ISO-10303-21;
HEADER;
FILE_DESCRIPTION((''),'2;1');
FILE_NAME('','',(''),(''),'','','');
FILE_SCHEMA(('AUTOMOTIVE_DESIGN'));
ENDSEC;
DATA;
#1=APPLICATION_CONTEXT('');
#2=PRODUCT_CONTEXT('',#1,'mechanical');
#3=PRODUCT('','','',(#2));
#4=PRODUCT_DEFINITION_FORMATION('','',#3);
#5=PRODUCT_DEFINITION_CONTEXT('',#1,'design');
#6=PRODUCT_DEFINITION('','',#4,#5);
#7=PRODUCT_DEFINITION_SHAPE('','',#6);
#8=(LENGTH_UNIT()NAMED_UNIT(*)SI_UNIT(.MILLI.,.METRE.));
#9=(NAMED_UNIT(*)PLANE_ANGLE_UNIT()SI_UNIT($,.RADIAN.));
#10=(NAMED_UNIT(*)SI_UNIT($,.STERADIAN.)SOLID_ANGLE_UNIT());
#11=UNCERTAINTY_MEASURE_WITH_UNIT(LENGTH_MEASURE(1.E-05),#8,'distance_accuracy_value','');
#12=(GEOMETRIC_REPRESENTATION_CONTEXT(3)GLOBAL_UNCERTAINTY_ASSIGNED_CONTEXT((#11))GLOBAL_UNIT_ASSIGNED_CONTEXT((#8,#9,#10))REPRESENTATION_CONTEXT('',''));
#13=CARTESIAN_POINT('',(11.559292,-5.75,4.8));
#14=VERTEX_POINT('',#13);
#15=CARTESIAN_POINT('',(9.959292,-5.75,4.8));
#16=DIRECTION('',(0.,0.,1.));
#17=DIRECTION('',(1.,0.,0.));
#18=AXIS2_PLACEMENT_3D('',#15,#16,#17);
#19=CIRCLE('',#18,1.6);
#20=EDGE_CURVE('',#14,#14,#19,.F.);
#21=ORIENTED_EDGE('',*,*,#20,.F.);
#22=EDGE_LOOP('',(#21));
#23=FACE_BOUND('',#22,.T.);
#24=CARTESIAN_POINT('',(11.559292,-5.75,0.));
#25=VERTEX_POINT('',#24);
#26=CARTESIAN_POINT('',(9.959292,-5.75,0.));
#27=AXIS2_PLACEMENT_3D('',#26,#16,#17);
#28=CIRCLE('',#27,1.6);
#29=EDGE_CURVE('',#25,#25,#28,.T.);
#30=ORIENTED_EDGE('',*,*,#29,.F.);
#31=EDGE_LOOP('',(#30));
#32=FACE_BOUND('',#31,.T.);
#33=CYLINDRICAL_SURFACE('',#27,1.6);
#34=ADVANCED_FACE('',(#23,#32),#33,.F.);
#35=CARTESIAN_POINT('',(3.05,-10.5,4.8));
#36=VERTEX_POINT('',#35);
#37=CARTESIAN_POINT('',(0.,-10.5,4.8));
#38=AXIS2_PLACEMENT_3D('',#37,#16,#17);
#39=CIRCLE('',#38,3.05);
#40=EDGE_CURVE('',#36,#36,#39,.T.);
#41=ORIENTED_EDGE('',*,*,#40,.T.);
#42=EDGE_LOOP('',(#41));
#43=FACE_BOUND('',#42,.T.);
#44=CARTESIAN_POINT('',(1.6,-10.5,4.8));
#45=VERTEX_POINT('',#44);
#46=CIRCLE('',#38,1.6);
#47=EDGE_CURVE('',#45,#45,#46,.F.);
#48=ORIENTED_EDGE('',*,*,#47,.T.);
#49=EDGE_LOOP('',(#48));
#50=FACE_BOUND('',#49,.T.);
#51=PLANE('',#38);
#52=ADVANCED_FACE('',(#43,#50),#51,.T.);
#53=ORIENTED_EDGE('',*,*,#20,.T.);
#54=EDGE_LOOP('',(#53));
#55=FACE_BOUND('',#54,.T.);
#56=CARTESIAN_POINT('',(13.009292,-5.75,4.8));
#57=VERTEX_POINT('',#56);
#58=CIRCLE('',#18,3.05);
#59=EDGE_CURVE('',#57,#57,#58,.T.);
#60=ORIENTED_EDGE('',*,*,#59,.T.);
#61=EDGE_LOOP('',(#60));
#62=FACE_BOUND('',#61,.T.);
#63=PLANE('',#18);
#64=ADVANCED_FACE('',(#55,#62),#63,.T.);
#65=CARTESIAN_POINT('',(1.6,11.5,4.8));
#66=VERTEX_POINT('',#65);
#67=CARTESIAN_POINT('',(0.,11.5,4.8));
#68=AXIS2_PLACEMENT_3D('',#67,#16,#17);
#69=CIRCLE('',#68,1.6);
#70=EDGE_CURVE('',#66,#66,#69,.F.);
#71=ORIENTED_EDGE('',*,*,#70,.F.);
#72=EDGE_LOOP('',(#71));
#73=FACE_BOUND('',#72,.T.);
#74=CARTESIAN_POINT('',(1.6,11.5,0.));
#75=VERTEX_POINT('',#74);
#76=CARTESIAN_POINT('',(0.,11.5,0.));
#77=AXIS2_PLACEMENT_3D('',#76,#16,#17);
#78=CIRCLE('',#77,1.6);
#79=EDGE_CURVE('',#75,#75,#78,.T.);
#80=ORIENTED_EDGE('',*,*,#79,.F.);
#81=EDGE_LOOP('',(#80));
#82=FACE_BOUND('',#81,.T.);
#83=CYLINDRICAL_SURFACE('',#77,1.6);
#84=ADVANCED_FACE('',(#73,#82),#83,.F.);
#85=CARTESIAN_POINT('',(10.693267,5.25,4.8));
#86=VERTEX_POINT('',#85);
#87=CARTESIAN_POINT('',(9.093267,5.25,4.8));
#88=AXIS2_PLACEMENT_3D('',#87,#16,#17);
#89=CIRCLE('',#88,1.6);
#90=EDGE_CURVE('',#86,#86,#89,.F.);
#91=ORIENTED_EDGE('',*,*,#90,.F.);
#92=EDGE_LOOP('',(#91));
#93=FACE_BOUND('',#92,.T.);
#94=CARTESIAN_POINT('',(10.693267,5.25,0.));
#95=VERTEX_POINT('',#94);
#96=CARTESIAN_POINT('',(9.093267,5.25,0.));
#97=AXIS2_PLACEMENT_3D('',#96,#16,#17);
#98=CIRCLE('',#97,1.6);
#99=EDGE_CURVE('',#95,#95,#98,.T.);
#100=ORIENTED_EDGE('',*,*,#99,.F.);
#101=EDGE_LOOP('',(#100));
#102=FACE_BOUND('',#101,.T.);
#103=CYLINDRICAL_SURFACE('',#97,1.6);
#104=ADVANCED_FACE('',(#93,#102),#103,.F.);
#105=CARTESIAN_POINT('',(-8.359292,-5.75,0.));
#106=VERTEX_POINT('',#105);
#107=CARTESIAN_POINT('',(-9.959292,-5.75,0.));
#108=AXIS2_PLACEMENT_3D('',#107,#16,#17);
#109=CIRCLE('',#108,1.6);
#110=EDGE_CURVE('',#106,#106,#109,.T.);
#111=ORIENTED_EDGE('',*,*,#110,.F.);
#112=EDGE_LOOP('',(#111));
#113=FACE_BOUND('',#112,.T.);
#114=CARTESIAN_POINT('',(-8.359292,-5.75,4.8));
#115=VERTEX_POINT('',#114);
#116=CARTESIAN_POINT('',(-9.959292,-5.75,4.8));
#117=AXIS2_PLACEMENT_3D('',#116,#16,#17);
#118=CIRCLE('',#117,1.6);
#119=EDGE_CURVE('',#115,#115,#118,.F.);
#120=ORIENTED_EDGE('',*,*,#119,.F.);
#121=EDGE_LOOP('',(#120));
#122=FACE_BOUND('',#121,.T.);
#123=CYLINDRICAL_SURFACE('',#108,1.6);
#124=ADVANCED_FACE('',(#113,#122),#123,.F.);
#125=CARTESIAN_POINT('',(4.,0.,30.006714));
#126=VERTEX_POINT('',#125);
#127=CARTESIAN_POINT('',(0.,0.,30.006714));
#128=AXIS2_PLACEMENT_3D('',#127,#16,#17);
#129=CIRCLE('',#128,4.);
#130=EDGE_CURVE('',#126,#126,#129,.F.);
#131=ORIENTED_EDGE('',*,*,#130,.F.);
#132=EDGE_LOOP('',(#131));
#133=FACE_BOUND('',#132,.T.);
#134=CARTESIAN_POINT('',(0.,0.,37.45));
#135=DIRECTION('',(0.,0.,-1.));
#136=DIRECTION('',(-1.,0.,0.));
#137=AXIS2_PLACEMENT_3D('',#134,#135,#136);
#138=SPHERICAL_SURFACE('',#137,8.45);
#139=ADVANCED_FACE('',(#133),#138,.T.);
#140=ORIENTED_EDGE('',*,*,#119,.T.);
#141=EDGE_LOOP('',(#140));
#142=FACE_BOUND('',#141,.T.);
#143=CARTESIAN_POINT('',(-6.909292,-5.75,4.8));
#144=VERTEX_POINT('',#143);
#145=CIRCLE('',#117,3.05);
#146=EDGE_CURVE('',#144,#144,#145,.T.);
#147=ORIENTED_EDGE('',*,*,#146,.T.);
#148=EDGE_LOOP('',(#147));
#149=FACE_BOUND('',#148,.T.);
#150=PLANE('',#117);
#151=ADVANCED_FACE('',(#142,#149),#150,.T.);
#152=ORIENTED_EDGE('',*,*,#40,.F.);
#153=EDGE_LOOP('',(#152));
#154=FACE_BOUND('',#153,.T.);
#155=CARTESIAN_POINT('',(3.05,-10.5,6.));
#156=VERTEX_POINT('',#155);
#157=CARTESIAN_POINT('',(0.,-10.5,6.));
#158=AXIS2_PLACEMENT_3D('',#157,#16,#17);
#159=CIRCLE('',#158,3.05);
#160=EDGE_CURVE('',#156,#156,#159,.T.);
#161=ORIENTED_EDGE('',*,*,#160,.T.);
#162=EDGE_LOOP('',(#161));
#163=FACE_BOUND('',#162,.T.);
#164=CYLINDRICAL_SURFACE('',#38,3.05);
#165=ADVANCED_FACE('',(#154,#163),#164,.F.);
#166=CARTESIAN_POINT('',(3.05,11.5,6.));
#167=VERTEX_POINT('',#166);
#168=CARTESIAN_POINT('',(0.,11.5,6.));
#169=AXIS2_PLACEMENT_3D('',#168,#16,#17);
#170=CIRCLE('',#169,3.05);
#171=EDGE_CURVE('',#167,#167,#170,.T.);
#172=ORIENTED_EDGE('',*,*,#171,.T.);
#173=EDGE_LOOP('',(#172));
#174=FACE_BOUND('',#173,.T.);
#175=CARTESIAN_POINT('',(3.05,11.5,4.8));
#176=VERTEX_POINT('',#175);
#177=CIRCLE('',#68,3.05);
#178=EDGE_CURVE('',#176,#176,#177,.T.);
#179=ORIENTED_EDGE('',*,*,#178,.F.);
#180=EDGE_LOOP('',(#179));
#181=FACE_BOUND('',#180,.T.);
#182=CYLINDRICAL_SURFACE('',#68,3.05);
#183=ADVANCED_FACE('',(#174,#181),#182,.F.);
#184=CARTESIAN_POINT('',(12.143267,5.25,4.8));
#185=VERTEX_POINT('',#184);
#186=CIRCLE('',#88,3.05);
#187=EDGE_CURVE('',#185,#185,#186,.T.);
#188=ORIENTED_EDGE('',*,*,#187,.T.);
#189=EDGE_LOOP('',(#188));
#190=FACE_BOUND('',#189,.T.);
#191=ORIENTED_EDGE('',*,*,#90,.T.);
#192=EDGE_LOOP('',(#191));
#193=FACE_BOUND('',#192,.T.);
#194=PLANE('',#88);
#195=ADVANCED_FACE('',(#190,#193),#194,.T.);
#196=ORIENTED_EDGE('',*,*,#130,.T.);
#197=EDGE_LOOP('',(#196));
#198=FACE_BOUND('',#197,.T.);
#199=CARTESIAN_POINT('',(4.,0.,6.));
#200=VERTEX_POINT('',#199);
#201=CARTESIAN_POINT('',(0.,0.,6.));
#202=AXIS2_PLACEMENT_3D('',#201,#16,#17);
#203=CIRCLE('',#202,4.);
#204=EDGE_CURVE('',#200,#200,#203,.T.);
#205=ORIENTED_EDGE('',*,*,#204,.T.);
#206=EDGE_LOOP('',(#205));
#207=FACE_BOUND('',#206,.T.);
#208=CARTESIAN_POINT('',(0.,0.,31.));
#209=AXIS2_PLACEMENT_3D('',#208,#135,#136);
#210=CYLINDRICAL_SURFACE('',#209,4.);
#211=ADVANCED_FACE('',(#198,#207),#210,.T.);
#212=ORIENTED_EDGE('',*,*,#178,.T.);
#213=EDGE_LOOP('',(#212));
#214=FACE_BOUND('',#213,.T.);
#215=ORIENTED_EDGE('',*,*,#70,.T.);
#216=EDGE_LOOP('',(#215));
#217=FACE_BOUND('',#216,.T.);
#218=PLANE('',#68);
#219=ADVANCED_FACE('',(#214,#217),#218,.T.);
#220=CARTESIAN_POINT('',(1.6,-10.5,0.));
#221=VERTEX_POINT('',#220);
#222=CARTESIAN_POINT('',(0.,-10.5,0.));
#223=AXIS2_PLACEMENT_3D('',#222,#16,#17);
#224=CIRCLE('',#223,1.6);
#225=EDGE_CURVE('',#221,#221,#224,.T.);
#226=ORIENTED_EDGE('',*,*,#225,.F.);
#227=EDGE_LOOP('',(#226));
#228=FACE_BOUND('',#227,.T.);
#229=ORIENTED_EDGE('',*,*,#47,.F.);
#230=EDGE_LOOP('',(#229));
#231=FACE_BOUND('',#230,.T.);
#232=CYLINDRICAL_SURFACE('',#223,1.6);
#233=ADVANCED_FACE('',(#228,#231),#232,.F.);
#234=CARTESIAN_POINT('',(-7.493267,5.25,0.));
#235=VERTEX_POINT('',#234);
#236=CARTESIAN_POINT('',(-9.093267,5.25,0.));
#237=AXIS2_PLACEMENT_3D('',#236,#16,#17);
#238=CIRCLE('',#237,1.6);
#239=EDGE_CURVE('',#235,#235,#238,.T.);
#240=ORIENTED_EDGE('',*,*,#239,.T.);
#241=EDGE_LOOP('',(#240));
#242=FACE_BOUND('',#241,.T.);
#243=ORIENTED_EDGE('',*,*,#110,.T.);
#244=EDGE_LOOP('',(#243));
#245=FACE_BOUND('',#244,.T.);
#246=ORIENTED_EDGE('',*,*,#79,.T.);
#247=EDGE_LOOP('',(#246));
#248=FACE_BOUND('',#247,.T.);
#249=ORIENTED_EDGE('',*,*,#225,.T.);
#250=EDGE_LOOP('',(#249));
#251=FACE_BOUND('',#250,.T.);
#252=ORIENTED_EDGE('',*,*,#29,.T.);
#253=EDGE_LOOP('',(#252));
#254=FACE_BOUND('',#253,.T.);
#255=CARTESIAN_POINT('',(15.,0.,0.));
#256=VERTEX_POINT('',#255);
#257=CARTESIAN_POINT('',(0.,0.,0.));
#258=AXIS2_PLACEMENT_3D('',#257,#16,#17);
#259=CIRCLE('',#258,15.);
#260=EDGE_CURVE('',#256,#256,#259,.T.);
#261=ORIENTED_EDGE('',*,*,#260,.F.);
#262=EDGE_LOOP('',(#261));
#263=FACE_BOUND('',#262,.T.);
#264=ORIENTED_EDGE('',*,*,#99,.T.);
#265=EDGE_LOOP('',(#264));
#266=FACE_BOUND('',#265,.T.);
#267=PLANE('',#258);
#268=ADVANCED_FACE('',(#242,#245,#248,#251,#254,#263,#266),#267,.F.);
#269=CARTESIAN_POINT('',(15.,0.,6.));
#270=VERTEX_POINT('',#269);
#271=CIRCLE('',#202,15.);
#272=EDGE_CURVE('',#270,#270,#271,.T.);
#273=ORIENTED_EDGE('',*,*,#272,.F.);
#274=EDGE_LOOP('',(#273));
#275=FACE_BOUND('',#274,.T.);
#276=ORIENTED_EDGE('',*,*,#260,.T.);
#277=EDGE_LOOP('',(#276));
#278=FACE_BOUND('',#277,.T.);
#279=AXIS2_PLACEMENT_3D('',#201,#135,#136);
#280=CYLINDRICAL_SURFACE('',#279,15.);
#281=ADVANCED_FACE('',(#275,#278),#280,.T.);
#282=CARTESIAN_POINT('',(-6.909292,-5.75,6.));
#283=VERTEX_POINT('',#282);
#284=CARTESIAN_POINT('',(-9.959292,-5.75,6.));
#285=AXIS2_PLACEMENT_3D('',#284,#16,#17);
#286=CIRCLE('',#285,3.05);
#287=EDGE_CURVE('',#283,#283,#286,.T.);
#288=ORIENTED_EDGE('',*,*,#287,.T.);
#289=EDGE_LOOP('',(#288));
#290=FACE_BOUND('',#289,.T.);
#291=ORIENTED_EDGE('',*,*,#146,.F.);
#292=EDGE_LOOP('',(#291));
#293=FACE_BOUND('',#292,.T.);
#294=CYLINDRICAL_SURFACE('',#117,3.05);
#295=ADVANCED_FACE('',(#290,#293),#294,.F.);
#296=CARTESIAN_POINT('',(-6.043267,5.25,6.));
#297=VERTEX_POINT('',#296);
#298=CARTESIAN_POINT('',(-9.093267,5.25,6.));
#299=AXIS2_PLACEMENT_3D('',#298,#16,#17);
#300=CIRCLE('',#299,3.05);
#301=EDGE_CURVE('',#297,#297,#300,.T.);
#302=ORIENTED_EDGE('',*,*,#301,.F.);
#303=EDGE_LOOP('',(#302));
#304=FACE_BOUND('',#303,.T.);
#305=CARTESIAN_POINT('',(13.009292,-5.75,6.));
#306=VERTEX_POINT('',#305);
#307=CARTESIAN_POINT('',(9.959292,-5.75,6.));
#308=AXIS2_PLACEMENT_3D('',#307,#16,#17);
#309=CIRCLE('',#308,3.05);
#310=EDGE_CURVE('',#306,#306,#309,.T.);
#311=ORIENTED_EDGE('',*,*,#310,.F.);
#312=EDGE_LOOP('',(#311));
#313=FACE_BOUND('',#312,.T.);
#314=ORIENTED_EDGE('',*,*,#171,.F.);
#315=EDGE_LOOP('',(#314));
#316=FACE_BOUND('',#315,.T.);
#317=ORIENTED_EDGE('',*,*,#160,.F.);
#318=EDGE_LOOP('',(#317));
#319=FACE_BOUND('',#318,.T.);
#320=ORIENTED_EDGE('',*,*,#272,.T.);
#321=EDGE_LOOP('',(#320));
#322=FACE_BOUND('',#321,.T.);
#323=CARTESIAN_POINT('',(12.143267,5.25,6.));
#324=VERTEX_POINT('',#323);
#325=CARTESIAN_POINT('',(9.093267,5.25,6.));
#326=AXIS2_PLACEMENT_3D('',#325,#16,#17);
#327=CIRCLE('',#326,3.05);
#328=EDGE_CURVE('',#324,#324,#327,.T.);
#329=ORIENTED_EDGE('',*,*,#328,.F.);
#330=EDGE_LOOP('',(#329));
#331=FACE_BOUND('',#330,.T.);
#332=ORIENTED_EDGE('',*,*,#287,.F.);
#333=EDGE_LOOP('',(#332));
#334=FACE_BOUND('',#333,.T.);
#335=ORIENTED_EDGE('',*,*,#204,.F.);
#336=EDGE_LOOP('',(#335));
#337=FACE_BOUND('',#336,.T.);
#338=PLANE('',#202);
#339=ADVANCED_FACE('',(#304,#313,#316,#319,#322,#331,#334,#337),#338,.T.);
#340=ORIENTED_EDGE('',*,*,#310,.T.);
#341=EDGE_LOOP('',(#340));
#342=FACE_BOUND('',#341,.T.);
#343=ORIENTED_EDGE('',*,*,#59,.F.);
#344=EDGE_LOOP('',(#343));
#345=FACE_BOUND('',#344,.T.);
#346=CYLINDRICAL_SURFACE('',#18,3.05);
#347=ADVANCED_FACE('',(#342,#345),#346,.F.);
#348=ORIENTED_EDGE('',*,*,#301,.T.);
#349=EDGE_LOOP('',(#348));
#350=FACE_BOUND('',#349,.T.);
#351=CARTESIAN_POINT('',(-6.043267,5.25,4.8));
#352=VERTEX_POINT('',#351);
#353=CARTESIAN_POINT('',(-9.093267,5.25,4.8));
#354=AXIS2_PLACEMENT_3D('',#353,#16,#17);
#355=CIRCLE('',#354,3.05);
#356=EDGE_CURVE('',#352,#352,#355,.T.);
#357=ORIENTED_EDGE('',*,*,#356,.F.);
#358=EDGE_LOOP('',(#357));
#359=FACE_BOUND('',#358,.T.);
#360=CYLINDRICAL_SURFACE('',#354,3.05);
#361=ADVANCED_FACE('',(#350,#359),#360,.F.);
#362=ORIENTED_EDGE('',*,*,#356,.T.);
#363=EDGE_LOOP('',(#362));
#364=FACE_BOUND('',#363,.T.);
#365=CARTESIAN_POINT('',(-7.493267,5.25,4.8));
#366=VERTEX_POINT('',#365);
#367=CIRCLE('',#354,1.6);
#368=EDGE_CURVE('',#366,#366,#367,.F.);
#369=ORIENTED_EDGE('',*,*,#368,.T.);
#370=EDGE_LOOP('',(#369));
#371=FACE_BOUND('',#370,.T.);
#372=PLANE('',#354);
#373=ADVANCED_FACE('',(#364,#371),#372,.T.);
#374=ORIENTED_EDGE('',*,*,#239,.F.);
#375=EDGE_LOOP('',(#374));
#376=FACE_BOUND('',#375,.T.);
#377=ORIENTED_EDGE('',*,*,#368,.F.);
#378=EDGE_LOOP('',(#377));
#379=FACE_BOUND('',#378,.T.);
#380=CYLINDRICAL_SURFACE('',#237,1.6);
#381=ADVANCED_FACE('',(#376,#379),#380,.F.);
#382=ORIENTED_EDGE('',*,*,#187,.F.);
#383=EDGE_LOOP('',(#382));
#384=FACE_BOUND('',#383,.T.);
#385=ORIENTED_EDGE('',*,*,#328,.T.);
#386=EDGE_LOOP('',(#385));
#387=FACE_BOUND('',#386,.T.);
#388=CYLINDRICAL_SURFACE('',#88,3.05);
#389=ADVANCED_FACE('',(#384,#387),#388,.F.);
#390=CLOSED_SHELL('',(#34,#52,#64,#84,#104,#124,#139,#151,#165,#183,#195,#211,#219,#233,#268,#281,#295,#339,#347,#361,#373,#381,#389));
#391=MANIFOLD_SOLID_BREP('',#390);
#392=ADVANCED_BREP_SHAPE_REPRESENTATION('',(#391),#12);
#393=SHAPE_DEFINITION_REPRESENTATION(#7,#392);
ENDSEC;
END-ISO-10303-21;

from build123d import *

# Parameters (mm, degrees)
SKETCH_1_R          = 15
EXTRUDE_1_DEPTH     = 6
SKETCH_2_R          = 1.6
CUT_EXTRUDE_1_DEPTH = 23.045407685
SKETCH_3_R          = 3.05
CUT_EXTRUDE_2_DEPTH = 1.2
SKETCH_4_R          = 4
EXTRUDE_2_DEPTH     = 25


with BuildPart() as part:
    # 草图1 → 凸台-拉伸1 (new body)
    with BuildSketch(Plane.XY):
        Circle(SKETCH_1_R)
    extrude(amount=EXTRUDE_1_DEPTH)

    # 草图2 → 切除-拉伸1 (cut, through all)
    with BuildSketch(Plane.XY.offset(6)):
        with Locations((0, 11.5)):
            Circle(SKETCH_2_R)
        with Locations((9.959292144, -5.75)):
            Circle(SKETCH_2_R)
        with Locations((-9.959292144, -5.75)):
            Circle(SKETCH_2_R)
        with Locations((-9.09326674, 5.25)):
            Circle(SKETCH_2_R)
        with Locations((9.09326674, 5.25)):
            Circle(SKETCH_2_R)
        with Locations((0, -10.5)):
            Circle(SKETCH_2_R)
    extrude(amount=-CUT_EXTRUDE_1_DEPTH, mode=Mode.SUBTRACT)

    # 草图3 → 切除-拉伸2 (cut)
    with BuildSketch(Plane.XY.offset(6)):
        with Locations((-9.09326674, 5.25)):
            Circle(SKETCH_3_R)
        with Locations((0, 11.5)):
            Circle(SKETCH_3_R)
        with Locations((9.09326674, 5.25)):
            Circle(SKETCH_3_R)
        with Locations((9.959292144, -5.75)):
            Circle(SKETCH_3_R)
        with Locations((0, -10.5)):
            Circle(SKETCH_3_R)
        with Locations((-9.959292144, -5.75)):
            Circle(SKETCH_3_R)
    extrude(amount=-CUT_EXTRUDE_2_DEPTH, mode=Mode.SUBTRACT)

    # 草图4 → 凸台-拉伸2 (add)
    with BuildSketch(Plane.XY.offset(6)):
        Circle(SKETCH_4_R)
    extrude(amount=EXTRUDE_2_DEPTH)

    # 草图5 → 旋转2 (revolve)
    with BuildSketch(Plane(origin=(0, 0, 0), x_dir=(1, 0, 0), z_dir=(0, 1, 0))):
        with BuildLine():
            Line((0, -29), (0, -45.9))
            ThreePointArc((0, -45.9), (-8.45, -37.45), (0, -29))
        make_face()
    revolve(axis=Axis((0, 0, 0), (0, 0, 1)))


solid = part.part
